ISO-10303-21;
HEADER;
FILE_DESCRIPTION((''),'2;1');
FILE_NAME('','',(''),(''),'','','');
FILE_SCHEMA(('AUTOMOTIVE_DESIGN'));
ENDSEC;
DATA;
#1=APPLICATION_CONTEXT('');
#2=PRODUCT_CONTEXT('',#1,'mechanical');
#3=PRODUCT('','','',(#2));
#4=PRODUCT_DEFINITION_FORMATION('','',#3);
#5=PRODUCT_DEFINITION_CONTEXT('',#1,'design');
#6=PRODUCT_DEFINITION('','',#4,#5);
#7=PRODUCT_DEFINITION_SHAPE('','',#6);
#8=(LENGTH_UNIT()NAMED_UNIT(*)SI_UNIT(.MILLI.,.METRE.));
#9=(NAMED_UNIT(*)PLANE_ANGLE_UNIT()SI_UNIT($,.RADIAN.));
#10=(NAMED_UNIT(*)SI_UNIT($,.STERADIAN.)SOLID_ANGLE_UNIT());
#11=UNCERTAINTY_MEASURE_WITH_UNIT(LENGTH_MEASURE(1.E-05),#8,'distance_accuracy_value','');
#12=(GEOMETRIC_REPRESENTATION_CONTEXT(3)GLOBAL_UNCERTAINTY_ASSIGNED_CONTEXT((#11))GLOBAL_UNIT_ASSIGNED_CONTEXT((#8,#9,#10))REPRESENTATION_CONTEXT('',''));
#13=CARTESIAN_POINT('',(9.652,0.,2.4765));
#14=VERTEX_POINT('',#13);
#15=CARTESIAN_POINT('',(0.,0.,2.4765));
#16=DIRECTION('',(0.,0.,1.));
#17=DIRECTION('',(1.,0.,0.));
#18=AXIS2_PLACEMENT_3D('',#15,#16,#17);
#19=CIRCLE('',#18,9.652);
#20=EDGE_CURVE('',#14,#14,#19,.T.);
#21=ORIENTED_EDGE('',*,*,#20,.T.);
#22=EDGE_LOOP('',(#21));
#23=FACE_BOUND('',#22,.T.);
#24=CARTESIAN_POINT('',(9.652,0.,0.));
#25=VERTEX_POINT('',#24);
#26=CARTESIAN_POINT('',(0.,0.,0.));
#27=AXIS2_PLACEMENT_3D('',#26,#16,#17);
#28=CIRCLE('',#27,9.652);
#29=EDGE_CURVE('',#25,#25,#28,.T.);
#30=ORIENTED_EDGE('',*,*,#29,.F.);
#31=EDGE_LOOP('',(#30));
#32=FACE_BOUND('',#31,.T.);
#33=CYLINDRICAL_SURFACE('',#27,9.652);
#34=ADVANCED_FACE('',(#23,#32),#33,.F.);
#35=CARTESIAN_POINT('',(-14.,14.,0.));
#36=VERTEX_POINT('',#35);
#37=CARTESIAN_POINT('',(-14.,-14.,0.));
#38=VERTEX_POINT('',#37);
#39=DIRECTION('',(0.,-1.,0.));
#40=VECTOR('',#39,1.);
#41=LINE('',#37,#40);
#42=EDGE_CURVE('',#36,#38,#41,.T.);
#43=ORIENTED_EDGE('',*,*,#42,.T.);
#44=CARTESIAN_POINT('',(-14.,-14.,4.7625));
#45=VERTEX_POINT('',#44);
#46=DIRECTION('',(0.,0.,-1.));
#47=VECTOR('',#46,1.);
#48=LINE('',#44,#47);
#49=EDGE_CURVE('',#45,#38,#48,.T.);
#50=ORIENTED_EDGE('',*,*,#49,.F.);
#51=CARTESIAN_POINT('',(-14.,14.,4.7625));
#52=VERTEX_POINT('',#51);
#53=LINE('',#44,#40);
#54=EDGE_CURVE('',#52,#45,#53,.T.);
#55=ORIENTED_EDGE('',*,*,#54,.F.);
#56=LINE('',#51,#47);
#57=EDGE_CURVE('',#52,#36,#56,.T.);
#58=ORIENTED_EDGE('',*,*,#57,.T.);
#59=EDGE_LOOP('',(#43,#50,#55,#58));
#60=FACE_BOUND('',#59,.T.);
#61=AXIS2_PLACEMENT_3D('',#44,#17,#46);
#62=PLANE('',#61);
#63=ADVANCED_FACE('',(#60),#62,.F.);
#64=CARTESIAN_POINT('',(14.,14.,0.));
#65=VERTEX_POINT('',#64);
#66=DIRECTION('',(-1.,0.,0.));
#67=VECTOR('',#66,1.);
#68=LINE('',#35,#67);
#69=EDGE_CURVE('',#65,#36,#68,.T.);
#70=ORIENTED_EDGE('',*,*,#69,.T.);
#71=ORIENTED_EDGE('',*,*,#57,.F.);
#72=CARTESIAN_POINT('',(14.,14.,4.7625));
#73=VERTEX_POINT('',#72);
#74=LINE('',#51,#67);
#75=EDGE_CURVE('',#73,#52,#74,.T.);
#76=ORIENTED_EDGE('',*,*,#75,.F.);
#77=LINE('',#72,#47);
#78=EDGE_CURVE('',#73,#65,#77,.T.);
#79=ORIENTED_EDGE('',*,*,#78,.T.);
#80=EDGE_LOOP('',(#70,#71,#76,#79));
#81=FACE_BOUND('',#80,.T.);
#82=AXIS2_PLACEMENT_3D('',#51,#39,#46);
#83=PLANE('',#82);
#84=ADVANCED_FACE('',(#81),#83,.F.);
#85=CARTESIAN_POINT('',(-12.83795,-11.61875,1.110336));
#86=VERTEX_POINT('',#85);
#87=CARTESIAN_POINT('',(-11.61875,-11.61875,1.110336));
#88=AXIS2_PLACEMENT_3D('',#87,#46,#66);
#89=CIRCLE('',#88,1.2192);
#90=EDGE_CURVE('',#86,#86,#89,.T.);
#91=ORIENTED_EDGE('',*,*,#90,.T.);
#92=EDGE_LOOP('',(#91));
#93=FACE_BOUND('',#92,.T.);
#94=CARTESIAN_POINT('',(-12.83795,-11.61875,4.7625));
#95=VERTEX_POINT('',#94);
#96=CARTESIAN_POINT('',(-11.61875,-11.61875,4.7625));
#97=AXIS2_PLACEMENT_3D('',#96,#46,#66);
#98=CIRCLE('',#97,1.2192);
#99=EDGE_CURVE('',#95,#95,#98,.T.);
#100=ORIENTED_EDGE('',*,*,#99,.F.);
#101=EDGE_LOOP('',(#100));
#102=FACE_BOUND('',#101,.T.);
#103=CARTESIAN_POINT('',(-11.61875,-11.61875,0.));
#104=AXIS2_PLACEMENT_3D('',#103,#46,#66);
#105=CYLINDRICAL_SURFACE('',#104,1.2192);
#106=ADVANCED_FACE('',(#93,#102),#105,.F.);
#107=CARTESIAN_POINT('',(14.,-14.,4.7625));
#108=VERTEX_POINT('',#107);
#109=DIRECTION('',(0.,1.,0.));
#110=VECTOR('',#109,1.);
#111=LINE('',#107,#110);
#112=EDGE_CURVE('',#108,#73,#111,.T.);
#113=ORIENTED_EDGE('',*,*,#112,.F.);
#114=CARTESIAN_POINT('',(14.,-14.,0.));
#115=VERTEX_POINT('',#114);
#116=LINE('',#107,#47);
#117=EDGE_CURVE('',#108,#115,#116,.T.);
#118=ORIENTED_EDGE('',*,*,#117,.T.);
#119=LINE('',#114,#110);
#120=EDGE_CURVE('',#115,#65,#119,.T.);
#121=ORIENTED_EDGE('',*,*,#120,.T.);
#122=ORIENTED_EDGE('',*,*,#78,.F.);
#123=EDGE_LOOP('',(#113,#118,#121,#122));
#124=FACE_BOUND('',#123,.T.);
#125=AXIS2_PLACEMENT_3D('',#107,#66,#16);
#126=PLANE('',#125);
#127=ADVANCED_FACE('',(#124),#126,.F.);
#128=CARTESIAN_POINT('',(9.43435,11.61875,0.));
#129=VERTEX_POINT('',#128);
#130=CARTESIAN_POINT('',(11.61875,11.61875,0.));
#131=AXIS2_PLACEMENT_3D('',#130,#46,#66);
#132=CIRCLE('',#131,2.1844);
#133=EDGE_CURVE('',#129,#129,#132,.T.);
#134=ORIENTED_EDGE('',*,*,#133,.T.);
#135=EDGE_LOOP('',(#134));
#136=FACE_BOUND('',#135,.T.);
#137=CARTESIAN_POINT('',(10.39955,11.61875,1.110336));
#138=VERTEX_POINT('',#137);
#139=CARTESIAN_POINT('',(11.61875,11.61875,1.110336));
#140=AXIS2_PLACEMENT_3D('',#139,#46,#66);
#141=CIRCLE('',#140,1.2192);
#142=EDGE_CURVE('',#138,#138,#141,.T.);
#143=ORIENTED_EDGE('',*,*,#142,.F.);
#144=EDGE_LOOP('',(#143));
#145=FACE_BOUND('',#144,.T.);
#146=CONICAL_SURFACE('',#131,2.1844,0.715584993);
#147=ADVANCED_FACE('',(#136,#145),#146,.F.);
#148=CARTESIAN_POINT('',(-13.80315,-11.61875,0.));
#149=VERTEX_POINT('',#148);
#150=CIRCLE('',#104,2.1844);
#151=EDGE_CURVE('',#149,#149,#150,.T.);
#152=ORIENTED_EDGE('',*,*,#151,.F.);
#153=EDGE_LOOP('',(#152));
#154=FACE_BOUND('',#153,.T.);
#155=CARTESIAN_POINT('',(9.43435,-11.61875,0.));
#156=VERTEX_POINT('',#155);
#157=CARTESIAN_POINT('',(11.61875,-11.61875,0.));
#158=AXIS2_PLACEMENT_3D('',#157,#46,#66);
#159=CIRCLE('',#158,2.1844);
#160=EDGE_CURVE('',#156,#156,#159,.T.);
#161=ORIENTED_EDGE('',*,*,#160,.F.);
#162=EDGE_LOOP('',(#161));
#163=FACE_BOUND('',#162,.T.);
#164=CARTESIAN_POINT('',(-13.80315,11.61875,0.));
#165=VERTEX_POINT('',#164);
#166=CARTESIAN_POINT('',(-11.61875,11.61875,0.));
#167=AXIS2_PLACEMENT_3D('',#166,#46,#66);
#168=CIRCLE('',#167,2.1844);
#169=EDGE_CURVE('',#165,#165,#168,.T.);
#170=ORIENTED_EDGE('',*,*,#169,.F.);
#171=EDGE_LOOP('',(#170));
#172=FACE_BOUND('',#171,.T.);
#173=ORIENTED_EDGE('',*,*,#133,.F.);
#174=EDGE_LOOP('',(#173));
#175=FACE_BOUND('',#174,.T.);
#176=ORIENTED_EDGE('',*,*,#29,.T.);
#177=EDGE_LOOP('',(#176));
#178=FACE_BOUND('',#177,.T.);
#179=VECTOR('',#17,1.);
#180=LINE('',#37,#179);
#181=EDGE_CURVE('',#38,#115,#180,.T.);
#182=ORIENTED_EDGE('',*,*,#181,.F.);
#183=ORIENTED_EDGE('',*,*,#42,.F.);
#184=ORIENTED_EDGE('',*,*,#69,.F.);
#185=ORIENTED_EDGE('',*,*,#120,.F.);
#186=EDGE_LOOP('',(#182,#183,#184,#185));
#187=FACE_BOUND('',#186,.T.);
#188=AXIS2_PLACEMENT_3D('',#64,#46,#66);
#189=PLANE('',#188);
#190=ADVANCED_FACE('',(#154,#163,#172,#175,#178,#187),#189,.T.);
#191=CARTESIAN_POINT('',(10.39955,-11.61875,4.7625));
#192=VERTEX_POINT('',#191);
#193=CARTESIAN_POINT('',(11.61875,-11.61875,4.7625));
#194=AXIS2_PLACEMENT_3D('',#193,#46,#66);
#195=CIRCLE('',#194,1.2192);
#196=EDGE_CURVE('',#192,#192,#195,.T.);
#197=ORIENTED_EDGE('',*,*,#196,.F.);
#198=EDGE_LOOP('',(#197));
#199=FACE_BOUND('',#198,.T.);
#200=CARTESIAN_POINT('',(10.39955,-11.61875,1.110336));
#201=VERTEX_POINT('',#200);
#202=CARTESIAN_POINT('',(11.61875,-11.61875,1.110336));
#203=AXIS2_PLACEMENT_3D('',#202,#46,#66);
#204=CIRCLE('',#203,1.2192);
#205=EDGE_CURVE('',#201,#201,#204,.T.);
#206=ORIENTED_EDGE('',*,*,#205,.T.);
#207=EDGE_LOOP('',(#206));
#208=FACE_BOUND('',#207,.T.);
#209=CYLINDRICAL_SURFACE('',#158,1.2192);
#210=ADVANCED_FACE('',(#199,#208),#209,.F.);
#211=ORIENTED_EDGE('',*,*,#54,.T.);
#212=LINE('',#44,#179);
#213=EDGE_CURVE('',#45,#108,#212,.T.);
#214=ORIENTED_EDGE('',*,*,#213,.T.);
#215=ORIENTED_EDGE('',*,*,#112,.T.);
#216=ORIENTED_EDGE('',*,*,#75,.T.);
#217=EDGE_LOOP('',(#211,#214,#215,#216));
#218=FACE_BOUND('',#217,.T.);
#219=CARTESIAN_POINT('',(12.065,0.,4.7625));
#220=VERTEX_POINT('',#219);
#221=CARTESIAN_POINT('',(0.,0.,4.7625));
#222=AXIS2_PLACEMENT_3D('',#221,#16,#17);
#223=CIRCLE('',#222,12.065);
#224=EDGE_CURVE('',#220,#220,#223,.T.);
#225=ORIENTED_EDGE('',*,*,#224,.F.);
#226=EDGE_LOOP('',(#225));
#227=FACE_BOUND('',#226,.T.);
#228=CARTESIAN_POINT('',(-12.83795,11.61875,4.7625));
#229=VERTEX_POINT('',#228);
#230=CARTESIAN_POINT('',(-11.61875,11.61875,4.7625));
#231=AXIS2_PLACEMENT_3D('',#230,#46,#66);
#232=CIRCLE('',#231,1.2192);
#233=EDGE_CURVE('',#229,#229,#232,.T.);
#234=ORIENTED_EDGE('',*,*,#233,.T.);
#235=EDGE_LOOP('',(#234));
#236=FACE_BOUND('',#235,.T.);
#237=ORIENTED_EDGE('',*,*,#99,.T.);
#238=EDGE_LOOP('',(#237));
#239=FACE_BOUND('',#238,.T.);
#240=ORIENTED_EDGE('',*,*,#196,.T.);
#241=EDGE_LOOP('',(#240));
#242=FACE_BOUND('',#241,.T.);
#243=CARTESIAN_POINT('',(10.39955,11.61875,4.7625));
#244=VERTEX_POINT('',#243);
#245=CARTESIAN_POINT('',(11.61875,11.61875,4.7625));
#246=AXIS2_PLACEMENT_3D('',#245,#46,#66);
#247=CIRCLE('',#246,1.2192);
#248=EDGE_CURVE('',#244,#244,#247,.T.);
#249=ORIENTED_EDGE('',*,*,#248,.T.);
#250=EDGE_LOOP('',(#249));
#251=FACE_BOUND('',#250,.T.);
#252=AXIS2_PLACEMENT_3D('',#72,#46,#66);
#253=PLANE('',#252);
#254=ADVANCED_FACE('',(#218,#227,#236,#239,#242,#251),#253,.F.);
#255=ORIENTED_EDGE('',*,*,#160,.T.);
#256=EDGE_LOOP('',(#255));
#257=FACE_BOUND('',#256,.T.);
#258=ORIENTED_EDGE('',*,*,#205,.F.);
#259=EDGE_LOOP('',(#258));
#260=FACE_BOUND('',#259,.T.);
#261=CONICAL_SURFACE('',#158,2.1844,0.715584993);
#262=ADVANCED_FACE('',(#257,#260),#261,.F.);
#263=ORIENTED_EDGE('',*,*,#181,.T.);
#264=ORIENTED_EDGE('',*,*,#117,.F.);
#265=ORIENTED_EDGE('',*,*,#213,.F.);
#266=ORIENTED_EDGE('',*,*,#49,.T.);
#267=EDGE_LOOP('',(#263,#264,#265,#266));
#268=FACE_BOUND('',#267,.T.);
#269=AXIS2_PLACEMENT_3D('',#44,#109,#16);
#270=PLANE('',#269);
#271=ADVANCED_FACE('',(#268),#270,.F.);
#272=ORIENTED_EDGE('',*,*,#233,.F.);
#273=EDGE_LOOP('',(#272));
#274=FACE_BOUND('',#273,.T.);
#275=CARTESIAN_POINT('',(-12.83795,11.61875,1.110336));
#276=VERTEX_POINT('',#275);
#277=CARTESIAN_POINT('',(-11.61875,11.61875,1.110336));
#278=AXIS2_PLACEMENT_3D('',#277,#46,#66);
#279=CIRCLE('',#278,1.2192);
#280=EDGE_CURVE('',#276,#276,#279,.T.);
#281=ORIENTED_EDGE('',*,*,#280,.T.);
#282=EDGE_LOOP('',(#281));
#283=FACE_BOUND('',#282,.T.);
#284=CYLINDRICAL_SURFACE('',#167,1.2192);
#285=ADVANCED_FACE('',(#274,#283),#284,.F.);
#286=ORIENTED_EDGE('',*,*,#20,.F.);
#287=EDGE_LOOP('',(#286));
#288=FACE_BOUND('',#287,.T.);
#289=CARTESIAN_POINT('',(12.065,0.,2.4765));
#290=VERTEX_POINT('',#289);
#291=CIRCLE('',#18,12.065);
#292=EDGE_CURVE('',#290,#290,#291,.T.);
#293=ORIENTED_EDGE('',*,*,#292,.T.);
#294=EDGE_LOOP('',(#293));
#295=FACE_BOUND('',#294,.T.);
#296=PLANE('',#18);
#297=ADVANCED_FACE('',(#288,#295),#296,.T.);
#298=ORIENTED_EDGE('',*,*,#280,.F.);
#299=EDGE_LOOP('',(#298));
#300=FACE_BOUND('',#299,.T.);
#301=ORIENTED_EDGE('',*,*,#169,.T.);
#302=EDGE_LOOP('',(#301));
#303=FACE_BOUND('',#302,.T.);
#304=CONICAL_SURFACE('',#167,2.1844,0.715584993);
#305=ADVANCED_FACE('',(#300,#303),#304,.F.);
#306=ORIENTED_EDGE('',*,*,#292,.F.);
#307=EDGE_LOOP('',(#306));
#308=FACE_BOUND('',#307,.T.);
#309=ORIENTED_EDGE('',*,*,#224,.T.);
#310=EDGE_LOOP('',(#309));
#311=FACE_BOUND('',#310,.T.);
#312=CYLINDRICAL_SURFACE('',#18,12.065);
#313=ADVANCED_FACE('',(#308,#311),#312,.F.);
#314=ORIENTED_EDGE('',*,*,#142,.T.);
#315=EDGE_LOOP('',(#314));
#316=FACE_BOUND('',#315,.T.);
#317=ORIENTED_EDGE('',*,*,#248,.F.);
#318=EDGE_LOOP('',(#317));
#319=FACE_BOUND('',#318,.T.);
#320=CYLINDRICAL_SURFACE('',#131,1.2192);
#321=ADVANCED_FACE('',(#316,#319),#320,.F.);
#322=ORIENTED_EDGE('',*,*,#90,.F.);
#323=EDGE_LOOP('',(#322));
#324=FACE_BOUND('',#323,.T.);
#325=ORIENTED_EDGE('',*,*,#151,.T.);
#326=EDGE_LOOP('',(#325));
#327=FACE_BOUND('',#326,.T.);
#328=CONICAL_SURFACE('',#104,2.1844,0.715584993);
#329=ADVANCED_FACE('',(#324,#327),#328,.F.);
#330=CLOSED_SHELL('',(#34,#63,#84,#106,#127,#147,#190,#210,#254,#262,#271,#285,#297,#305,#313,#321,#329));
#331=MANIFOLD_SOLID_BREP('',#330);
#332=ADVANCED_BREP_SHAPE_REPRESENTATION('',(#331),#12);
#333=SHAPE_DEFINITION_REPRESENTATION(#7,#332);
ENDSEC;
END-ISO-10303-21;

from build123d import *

# Parameters (mm, degrees)
SKETCH1_W                                      = 27.99999988
SKETCH1_H                                      = 28
BOSS_EXTRUDE1_DEPTH                            = 4.7625
SKETCH2_R                                      = 12.065
CUT_EXTRUDE1_DEPTH                             = 2.286
SKETCH3_R                                      = 9.652
CUT_EXTRUDE2_DEPTH                             = 3.4765
CSK_FOR_2_FLAT_HEAD_MACHINE_SCREW1_D           = 2.4384
CSK_FOR_2_FLAT_HEAD_MACHINE_SCREW1_CSINK_D     = 4.3688
CSK_FOR_2_FLAT_HEAD_MACHINE_SCREW1_CSINK_ANGLE = 82


with BuildPart() as part:
    # Sketch1 → Boss-Extrude1 (new body)
    with BuildSketch(Plane.XY):
        Rectangle(SKETCH1_W, SKETCH1_H)
    extrude(amount=BOSS_EXTRUDE1_DEPTH)

    # Sketch2 → Cut-Extrude1 (cut)
    with BuildSketch(Plane.XY.offset(4.7625)):
        Circle(SKETCH2_R)
    extrude(amount=-CUT_EXTRUDE1_DEPTH, mode=Mode.SUBTRACT)

    # Sketch3 → Cut-Extrude2 (cut, through all)
    with BuildSketch(Plane.XY.offset(2.4765)):
        Circle(SKETCH3_R)
    extrude(amount=-CUT_EXTRUDE2_DEPTH, mode=Mode.SUBTRACT)

    # CSK for #2 Flat Head Machine Screw1 (through all)
    with Locations(Plane(origin=(0, 0, 0), x_dir=(-1, 0, 0), z_dir=(0, 0, -1))):
        with Locations((11.61874994, 11.61875), (11.61874994, -11.61875), (-11.61874994, -11.61875), (-11.61874994, 11.61875)):
            CounterSinkHole(CSK_FOR_2_FLAT_HEAD_MACHINE_SCREW1_D / 2, CSK_FOR_2_FLAT_HEAD_MACHINE_SCREW1_CSINK_D / 2, counter_sink_angle=CSK_FOR_2_FLAT_HEAD_MACHINE_SCREW1_CSINK_ANGLE)


solid = part.part
